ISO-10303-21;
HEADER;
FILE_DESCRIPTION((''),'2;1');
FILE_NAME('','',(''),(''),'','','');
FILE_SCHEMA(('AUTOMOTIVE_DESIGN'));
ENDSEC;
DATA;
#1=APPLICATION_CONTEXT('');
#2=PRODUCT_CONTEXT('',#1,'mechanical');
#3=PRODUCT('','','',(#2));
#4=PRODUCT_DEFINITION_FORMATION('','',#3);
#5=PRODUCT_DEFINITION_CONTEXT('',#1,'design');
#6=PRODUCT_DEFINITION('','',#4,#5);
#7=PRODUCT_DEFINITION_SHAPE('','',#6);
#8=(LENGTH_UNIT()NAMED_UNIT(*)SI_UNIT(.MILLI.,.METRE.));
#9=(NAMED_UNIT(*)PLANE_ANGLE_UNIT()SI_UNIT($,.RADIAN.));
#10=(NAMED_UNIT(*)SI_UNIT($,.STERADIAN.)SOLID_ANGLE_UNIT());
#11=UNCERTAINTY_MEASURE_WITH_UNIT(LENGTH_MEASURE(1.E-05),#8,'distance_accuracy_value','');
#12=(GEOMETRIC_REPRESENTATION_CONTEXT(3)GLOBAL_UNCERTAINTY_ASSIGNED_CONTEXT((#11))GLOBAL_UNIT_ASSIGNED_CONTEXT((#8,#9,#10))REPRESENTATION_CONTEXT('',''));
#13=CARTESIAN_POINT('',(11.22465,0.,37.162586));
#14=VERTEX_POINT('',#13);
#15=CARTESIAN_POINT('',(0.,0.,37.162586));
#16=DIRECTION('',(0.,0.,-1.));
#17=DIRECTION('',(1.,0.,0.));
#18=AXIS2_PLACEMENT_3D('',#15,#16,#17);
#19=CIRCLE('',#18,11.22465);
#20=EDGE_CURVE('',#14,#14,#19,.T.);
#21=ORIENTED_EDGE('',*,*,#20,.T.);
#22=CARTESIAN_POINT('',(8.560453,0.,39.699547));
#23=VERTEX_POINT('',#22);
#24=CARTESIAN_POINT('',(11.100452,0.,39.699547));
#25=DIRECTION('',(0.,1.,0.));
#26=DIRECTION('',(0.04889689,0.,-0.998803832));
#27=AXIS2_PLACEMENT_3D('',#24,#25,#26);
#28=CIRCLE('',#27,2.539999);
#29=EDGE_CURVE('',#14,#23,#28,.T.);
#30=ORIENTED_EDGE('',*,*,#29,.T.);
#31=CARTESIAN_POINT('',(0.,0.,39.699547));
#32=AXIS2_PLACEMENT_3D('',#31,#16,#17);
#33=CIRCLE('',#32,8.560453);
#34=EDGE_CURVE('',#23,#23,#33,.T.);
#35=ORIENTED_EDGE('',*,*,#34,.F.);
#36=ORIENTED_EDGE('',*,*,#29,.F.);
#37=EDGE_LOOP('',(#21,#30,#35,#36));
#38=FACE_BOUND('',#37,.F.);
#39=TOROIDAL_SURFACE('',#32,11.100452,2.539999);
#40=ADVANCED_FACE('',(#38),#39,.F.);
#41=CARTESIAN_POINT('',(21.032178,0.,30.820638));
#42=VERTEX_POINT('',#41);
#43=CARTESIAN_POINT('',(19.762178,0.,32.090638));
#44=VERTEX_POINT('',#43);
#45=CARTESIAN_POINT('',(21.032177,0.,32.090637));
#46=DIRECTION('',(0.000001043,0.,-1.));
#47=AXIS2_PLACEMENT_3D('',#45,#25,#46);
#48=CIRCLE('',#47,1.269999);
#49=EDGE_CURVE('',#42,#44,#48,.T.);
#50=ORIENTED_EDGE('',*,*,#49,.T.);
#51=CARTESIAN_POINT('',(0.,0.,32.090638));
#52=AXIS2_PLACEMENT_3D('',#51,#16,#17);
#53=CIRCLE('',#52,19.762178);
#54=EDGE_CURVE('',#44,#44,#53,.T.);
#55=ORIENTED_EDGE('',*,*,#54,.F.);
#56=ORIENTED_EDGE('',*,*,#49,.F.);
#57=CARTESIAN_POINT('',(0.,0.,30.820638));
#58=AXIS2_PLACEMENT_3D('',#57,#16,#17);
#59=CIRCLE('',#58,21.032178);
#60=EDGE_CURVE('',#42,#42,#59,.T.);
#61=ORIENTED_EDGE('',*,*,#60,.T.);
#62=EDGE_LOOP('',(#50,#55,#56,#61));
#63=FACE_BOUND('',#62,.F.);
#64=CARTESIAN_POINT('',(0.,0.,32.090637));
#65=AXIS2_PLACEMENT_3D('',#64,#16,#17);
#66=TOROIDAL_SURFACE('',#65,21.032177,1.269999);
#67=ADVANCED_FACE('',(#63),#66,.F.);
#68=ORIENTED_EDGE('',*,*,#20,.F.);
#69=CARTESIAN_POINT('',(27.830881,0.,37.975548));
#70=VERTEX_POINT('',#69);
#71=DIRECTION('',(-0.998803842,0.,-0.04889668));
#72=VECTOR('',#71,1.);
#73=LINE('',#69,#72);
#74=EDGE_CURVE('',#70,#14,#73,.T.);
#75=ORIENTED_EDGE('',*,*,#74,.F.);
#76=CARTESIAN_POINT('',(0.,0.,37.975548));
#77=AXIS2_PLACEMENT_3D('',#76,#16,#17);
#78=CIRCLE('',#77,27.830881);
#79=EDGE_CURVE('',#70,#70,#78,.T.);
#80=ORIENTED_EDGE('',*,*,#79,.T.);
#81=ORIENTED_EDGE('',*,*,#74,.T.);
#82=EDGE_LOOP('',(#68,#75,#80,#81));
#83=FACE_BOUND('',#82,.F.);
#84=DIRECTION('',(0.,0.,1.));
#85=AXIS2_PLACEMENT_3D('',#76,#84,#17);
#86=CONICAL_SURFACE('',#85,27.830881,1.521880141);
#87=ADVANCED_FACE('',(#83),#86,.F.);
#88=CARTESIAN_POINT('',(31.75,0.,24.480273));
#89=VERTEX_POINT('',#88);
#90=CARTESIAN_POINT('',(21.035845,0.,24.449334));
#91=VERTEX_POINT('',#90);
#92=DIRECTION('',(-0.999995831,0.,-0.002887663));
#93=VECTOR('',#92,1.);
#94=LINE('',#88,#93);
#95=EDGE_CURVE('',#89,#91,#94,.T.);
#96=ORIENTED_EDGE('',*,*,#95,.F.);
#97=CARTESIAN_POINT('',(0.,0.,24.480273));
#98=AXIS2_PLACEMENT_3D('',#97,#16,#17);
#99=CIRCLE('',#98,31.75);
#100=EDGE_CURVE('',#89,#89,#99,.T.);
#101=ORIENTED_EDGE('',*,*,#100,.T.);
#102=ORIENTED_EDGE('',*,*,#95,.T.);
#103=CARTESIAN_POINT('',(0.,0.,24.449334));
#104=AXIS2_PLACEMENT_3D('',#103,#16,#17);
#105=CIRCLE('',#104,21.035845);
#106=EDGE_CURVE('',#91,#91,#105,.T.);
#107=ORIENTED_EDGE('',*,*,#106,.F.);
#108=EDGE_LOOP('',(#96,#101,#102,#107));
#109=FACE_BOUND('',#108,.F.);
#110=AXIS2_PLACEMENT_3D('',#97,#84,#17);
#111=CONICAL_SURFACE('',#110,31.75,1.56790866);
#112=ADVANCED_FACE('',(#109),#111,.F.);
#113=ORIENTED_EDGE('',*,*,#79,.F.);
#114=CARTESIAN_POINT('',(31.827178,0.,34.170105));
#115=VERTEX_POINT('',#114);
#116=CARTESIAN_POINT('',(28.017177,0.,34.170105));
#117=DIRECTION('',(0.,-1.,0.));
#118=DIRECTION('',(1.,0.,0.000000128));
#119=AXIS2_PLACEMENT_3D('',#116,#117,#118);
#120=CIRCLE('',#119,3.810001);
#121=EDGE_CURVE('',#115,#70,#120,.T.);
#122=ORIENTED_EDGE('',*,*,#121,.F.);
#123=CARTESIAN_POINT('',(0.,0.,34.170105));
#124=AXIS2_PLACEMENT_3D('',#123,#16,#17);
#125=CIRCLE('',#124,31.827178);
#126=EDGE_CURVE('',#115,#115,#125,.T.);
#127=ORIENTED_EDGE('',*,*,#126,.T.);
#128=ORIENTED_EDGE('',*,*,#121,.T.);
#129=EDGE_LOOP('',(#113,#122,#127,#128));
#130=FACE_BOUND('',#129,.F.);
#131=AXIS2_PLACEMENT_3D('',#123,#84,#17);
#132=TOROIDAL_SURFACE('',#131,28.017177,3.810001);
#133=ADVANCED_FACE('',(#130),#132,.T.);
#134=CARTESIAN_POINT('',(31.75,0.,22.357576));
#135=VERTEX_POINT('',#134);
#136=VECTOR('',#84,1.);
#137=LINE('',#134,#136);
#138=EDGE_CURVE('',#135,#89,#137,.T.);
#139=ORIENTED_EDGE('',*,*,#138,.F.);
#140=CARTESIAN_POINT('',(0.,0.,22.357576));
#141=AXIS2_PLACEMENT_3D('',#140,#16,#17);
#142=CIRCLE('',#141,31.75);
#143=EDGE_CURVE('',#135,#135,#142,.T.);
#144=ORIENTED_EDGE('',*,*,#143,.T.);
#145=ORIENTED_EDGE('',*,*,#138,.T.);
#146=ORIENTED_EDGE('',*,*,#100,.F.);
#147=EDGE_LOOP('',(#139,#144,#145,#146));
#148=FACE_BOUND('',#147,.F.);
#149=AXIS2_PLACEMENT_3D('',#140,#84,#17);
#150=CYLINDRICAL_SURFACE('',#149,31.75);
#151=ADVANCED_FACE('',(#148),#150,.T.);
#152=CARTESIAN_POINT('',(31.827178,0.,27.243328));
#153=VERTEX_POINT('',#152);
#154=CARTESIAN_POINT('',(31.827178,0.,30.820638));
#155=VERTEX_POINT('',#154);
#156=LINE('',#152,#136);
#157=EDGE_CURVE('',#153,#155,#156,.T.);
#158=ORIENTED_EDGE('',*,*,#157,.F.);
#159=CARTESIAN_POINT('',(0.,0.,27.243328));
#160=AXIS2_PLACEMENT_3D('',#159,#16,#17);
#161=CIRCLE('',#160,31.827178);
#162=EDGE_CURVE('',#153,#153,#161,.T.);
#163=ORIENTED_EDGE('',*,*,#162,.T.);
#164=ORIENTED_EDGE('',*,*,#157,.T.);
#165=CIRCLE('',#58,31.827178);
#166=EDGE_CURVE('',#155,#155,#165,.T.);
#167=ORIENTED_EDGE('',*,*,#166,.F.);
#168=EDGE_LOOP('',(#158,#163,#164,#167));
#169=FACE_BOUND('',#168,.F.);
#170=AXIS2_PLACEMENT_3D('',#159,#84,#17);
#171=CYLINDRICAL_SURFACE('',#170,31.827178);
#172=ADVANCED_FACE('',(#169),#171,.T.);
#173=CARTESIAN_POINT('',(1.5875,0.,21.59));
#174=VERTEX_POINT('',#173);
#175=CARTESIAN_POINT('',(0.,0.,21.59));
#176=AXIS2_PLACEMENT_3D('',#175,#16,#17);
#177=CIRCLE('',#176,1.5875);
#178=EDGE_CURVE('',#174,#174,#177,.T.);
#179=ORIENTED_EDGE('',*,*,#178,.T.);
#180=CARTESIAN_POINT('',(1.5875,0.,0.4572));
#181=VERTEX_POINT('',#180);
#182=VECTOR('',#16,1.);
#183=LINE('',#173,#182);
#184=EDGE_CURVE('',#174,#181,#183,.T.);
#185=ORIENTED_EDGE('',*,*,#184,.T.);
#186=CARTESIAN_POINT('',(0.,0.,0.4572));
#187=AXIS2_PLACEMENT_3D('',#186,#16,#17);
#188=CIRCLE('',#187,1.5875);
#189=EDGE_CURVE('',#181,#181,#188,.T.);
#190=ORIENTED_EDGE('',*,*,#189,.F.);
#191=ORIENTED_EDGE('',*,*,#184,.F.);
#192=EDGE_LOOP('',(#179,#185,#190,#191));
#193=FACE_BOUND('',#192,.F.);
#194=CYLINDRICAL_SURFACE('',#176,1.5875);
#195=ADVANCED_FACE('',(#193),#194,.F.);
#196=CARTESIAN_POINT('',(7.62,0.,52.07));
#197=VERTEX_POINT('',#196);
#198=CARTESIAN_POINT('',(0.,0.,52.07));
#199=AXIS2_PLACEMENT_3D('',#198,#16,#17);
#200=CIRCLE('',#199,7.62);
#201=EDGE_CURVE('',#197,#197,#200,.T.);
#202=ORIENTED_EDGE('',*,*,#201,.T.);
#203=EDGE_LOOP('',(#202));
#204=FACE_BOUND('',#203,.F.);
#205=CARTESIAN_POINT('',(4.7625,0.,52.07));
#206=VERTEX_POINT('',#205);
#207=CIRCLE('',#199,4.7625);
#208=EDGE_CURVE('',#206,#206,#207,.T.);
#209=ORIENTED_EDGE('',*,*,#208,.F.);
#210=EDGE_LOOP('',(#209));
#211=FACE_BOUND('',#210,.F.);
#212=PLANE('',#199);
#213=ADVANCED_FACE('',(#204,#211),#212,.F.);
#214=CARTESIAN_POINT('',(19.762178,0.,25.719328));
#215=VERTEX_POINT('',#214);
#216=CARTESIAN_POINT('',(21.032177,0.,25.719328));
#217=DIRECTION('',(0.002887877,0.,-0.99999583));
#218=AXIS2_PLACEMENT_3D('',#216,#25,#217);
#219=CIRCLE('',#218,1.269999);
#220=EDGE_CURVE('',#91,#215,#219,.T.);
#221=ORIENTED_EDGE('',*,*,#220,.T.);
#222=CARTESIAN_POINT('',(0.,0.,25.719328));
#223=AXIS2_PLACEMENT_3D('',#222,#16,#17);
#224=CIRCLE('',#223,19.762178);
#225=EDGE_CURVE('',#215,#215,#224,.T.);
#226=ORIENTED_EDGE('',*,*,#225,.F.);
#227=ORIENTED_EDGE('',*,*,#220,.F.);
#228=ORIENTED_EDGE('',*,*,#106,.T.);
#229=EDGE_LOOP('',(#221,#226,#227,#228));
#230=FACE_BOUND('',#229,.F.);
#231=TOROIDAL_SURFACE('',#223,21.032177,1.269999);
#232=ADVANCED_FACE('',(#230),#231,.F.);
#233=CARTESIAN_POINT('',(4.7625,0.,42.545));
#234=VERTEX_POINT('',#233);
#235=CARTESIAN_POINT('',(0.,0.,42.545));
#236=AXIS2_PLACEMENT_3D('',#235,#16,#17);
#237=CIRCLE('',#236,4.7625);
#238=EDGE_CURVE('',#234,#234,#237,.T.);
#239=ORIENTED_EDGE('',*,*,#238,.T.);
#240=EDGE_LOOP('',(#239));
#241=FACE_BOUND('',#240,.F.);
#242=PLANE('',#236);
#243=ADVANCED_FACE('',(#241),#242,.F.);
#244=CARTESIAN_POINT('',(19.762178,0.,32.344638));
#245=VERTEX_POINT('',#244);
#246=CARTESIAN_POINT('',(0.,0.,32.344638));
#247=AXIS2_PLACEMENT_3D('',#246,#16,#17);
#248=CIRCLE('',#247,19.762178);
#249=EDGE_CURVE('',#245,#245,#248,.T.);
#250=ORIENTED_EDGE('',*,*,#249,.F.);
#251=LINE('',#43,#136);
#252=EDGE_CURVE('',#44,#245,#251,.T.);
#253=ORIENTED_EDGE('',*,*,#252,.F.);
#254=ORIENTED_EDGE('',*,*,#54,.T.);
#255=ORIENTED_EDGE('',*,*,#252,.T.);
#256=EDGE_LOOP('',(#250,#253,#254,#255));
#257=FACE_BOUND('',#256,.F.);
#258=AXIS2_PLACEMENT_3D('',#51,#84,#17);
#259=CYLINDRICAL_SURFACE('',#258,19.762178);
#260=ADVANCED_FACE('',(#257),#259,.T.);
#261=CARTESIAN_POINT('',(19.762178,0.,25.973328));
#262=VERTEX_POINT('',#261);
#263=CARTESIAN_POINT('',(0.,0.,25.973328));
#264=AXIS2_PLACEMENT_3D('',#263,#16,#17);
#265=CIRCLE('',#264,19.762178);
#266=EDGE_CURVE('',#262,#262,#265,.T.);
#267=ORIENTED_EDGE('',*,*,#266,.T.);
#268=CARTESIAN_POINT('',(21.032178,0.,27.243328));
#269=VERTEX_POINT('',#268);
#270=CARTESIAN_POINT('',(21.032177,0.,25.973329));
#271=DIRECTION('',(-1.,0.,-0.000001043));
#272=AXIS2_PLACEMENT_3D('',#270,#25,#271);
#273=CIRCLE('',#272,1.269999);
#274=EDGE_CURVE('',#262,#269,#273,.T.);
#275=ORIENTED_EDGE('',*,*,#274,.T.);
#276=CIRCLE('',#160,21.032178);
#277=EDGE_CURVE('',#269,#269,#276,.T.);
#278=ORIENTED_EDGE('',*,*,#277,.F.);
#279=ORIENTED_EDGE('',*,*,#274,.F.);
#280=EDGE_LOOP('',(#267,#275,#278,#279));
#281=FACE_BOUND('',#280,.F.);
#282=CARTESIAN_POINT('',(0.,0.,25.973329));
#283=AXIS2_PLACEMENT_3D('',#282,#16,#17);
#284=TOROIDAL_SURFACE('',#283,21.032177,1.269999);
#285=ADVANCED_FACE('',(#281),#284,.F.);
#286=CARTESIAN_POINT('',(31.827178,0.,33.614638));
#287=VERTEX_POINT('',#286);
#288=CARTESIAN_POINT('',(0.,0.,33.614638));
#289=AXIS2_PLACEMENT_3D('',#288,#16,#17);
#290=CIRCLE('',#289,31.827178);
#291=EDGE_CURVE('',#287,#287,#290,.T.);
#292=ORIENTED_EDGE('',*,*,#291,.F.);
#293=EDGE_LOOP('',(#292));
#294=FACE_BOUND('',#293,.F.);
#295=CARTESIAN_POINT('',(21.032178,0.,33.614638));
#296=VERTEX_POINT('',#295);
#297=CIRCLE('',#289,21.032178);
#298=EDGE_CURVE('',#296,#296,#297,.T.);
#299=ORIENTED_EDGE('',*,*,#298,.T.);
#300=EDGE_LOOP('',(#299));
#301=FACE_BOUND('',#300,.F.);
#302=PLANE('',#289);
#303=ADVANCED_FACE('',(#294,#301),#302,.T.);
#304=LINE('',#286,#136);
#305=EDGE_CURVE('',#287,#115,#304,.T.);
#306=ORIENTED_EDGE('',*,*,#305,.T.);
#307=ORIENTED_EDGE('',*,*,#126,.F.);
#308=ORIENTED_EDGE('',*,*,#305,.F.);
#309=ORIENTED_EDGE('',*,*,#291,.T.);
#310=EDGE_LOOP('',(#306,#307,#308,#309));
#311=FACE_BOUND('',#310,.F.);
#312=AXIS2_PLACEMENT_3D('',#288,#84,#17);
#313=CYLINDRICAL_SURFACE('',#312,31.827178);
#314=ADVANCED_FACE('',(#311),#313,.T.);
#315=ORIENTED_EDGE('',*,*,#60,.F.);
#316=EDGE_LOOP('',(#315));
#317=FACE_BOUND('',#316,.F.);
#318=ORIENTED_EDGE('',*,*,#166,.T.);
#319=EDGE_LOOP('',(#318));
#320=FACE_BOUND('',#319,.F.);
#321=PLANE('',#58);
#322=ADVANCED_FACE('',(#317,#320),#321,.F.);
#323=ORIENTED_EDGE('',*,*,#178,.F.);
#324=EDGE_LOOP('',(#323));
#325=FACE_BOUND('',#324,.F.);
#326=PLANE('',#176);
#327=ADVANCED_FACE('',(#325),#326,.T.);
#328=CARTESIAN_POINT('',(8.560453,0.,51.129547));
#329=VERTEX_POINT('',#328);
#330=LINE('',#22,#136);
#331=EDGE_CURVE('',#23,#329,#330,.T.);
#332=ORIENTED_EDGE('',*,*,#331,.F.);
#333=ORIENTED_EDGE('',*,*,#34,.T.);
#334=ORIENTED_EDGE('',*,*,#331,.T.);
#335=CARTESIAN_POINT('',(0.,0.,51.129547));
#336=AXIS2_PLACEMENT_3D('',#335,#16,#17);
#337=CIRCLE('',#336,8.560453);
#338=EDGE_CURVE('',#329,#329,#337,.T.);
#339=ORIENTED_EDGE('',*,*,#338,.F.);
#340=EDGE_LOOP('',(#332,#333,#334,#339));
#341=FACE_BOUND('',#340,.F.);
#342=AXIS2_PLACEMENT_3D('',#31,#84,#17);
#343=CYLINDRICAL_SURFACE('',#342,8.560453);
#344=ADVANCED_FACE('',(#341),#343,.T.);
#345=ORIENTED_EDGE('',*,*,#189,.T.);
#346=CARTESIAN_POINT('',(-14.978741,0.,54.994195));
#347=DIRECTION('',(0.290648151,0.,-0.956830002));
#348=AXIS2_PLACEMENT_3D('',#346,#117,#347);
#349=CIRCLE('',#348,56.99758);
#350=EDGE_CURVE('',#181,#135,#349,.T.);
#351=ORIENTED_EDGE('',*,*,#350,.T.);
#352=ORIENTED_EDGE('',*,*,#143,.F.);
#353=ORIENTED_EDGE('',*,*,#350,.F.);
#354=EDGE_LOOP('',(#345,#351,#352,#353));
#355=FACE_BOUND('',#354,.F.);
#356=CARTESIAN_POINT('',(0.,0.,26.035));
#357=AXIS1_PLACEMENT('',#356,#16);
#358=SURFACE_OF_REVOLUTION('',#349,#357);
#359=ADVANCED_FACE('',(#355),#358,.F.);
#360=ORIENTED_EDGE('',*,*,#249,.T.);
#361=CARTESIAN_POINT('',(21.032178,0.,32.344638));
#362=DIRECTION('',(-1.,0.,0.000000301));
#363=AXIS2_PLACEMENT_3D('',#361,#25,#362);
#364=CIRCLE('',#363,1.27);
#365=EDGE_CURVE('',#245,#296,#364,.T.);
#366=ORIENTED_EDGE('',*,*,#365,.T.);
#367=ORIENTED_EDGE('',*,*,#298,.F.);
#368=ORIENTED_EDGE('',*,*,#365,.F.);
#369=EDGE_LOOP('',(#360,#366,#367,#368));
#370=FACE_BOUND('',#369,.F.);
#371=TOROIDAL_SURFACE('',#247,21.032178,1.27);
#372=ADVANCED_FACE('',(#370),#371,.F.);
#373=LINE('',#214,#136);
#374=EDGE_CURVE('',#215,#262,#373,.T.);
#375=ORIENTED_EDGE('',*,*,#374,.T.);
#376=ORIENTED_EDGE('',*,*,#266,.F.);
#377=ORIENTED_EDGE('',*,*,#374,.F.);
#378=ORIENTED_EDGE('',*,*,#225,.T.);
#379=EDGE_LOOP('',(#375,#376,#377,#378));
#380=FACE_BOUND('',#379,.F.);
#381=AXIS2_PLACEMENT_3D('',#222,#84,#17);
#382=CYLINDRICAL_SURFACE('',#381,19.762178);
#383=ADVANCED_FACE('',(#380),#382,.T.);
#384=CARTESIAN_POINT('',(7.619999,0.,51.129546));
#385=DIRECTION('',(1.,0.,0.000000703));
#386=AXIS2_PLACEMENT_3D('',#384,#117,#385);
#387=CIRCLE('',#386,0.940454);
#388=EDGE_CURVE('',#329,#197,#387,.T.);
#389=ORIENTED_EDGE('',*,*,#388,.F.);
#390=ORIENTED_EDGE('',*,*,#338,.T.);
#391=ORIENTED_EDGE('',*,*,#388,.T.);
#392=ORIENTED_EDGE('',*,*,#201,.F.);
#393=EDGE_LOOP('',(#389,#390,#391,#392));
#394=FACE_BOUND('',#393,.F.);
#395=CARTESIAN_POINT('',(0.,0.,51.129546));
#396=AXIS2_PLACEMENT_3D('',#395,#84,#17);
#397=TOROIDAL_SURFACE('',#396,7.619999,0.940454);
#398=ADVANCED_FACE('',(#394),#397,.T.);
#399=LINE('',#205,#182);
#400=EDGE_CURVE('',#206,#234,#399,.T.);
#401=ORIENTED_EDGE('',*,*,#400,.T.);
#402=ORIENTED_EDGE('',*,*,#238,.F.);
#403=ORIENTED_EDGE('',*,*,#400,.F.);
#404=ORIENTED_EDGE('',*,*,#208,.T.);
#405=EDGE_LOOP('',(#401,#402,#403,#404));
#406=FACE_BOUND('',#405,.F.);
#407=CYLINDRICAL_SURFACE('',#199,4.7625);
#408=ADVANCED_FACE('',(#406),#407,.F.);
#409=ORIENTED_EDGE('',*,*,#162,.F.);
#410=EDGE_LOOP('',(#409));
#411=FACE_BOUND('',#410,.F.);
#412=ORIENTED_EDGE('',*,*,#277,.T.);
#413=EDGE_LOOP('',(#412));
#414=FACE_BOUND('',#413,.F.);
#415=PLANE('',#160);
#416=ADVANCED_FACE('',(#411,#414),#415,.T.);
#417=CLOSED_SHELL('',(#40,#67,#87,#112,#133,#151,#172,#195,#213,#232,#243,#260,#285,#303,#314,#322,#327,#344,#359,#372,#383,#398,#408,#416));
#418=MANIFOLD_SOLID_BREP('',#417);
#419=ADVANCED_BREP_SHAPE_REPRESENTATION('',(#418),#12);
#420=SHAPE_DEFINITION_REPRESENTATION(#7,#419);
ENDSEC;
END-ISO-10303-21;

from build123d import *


with BuildPart() as f1:
    # F0 (on Front) → F1 (revolve)
    with BuildSketch(Plane.XZ):
        with BuildLine():
            Line((31.75, 22.357576), (31.75, 24.480273))
            Line((31.75, 24.480273), (21.035845, 24.449334))
            ThreePointArc((21.035845, 24.449334), (20.13545, 24.820007), (19.762178, 25.719328))
            Line((19.762178, 25.719328), (19.762178, 25.973328))
            ThreePointArc((19.762178, 25.973328), (20.134152, 26.871354), (21.032178, 27.243328))
            Line((21.032178, 27.243328), (31.827178, 27.243328))
            Line((31.827178, 27.243328), (31.827178, 30.820638))
            Line((31.827178, 30.820638), (21.032178, 30.820638))
            ThreePointArc((21.032178, 30.820638), (20.134152, 31.192612), (19.762178, 32.090638))
            Line((19.762178, 32.090638), (19.762178, 32.344638))
            ThreePointArc((19.762178, 32.344638), (20.134152, 33.242663), (21.032178, 33.614638))
            Line((21.032178, 33.614638), (31.827178, 33.614638))
            Line((31.827178, 33.614638), (31.827178, 34.170105))
            ThreePointArc((31.827178, 34.170105), (30.644563, 36.929262), (27.830881, 37.975548))
            Line((27.830881, 37.975548), (11.22465, 37.162586))
            ThreePointArc((11.22465, 37.162586), (9.348862, 37.86011), (8.560453, 39.699547))
            Line((8.560453, 39.699547), (8.560453, 51.129547))
            ThreePointArc((8.560453, 51.129547), (8.285, 51.794548), (7.62, 52.07))
            Line((7.62, 52.07), (4.7625, 52.07))
            Line((4.7625, 52.07), (4.7625, 42.545))
            Line((4.7625, 42.545), (0, 42.545))
            Line((0, 42.545), (0, 21.59))
            Line((0, 21.59), (1.5875, 21.59))
            Line((1.5875, 21.59), (1.5875, 0.4572))
            ThreePointArc((1.5875, 0.4572), (18.50962, 8.872033), (31.75, 22.357576))
        make_face()
    revolve(axis=Axis((0, 0, 26.035), (0, 0, -1)))


solid = f1.part
